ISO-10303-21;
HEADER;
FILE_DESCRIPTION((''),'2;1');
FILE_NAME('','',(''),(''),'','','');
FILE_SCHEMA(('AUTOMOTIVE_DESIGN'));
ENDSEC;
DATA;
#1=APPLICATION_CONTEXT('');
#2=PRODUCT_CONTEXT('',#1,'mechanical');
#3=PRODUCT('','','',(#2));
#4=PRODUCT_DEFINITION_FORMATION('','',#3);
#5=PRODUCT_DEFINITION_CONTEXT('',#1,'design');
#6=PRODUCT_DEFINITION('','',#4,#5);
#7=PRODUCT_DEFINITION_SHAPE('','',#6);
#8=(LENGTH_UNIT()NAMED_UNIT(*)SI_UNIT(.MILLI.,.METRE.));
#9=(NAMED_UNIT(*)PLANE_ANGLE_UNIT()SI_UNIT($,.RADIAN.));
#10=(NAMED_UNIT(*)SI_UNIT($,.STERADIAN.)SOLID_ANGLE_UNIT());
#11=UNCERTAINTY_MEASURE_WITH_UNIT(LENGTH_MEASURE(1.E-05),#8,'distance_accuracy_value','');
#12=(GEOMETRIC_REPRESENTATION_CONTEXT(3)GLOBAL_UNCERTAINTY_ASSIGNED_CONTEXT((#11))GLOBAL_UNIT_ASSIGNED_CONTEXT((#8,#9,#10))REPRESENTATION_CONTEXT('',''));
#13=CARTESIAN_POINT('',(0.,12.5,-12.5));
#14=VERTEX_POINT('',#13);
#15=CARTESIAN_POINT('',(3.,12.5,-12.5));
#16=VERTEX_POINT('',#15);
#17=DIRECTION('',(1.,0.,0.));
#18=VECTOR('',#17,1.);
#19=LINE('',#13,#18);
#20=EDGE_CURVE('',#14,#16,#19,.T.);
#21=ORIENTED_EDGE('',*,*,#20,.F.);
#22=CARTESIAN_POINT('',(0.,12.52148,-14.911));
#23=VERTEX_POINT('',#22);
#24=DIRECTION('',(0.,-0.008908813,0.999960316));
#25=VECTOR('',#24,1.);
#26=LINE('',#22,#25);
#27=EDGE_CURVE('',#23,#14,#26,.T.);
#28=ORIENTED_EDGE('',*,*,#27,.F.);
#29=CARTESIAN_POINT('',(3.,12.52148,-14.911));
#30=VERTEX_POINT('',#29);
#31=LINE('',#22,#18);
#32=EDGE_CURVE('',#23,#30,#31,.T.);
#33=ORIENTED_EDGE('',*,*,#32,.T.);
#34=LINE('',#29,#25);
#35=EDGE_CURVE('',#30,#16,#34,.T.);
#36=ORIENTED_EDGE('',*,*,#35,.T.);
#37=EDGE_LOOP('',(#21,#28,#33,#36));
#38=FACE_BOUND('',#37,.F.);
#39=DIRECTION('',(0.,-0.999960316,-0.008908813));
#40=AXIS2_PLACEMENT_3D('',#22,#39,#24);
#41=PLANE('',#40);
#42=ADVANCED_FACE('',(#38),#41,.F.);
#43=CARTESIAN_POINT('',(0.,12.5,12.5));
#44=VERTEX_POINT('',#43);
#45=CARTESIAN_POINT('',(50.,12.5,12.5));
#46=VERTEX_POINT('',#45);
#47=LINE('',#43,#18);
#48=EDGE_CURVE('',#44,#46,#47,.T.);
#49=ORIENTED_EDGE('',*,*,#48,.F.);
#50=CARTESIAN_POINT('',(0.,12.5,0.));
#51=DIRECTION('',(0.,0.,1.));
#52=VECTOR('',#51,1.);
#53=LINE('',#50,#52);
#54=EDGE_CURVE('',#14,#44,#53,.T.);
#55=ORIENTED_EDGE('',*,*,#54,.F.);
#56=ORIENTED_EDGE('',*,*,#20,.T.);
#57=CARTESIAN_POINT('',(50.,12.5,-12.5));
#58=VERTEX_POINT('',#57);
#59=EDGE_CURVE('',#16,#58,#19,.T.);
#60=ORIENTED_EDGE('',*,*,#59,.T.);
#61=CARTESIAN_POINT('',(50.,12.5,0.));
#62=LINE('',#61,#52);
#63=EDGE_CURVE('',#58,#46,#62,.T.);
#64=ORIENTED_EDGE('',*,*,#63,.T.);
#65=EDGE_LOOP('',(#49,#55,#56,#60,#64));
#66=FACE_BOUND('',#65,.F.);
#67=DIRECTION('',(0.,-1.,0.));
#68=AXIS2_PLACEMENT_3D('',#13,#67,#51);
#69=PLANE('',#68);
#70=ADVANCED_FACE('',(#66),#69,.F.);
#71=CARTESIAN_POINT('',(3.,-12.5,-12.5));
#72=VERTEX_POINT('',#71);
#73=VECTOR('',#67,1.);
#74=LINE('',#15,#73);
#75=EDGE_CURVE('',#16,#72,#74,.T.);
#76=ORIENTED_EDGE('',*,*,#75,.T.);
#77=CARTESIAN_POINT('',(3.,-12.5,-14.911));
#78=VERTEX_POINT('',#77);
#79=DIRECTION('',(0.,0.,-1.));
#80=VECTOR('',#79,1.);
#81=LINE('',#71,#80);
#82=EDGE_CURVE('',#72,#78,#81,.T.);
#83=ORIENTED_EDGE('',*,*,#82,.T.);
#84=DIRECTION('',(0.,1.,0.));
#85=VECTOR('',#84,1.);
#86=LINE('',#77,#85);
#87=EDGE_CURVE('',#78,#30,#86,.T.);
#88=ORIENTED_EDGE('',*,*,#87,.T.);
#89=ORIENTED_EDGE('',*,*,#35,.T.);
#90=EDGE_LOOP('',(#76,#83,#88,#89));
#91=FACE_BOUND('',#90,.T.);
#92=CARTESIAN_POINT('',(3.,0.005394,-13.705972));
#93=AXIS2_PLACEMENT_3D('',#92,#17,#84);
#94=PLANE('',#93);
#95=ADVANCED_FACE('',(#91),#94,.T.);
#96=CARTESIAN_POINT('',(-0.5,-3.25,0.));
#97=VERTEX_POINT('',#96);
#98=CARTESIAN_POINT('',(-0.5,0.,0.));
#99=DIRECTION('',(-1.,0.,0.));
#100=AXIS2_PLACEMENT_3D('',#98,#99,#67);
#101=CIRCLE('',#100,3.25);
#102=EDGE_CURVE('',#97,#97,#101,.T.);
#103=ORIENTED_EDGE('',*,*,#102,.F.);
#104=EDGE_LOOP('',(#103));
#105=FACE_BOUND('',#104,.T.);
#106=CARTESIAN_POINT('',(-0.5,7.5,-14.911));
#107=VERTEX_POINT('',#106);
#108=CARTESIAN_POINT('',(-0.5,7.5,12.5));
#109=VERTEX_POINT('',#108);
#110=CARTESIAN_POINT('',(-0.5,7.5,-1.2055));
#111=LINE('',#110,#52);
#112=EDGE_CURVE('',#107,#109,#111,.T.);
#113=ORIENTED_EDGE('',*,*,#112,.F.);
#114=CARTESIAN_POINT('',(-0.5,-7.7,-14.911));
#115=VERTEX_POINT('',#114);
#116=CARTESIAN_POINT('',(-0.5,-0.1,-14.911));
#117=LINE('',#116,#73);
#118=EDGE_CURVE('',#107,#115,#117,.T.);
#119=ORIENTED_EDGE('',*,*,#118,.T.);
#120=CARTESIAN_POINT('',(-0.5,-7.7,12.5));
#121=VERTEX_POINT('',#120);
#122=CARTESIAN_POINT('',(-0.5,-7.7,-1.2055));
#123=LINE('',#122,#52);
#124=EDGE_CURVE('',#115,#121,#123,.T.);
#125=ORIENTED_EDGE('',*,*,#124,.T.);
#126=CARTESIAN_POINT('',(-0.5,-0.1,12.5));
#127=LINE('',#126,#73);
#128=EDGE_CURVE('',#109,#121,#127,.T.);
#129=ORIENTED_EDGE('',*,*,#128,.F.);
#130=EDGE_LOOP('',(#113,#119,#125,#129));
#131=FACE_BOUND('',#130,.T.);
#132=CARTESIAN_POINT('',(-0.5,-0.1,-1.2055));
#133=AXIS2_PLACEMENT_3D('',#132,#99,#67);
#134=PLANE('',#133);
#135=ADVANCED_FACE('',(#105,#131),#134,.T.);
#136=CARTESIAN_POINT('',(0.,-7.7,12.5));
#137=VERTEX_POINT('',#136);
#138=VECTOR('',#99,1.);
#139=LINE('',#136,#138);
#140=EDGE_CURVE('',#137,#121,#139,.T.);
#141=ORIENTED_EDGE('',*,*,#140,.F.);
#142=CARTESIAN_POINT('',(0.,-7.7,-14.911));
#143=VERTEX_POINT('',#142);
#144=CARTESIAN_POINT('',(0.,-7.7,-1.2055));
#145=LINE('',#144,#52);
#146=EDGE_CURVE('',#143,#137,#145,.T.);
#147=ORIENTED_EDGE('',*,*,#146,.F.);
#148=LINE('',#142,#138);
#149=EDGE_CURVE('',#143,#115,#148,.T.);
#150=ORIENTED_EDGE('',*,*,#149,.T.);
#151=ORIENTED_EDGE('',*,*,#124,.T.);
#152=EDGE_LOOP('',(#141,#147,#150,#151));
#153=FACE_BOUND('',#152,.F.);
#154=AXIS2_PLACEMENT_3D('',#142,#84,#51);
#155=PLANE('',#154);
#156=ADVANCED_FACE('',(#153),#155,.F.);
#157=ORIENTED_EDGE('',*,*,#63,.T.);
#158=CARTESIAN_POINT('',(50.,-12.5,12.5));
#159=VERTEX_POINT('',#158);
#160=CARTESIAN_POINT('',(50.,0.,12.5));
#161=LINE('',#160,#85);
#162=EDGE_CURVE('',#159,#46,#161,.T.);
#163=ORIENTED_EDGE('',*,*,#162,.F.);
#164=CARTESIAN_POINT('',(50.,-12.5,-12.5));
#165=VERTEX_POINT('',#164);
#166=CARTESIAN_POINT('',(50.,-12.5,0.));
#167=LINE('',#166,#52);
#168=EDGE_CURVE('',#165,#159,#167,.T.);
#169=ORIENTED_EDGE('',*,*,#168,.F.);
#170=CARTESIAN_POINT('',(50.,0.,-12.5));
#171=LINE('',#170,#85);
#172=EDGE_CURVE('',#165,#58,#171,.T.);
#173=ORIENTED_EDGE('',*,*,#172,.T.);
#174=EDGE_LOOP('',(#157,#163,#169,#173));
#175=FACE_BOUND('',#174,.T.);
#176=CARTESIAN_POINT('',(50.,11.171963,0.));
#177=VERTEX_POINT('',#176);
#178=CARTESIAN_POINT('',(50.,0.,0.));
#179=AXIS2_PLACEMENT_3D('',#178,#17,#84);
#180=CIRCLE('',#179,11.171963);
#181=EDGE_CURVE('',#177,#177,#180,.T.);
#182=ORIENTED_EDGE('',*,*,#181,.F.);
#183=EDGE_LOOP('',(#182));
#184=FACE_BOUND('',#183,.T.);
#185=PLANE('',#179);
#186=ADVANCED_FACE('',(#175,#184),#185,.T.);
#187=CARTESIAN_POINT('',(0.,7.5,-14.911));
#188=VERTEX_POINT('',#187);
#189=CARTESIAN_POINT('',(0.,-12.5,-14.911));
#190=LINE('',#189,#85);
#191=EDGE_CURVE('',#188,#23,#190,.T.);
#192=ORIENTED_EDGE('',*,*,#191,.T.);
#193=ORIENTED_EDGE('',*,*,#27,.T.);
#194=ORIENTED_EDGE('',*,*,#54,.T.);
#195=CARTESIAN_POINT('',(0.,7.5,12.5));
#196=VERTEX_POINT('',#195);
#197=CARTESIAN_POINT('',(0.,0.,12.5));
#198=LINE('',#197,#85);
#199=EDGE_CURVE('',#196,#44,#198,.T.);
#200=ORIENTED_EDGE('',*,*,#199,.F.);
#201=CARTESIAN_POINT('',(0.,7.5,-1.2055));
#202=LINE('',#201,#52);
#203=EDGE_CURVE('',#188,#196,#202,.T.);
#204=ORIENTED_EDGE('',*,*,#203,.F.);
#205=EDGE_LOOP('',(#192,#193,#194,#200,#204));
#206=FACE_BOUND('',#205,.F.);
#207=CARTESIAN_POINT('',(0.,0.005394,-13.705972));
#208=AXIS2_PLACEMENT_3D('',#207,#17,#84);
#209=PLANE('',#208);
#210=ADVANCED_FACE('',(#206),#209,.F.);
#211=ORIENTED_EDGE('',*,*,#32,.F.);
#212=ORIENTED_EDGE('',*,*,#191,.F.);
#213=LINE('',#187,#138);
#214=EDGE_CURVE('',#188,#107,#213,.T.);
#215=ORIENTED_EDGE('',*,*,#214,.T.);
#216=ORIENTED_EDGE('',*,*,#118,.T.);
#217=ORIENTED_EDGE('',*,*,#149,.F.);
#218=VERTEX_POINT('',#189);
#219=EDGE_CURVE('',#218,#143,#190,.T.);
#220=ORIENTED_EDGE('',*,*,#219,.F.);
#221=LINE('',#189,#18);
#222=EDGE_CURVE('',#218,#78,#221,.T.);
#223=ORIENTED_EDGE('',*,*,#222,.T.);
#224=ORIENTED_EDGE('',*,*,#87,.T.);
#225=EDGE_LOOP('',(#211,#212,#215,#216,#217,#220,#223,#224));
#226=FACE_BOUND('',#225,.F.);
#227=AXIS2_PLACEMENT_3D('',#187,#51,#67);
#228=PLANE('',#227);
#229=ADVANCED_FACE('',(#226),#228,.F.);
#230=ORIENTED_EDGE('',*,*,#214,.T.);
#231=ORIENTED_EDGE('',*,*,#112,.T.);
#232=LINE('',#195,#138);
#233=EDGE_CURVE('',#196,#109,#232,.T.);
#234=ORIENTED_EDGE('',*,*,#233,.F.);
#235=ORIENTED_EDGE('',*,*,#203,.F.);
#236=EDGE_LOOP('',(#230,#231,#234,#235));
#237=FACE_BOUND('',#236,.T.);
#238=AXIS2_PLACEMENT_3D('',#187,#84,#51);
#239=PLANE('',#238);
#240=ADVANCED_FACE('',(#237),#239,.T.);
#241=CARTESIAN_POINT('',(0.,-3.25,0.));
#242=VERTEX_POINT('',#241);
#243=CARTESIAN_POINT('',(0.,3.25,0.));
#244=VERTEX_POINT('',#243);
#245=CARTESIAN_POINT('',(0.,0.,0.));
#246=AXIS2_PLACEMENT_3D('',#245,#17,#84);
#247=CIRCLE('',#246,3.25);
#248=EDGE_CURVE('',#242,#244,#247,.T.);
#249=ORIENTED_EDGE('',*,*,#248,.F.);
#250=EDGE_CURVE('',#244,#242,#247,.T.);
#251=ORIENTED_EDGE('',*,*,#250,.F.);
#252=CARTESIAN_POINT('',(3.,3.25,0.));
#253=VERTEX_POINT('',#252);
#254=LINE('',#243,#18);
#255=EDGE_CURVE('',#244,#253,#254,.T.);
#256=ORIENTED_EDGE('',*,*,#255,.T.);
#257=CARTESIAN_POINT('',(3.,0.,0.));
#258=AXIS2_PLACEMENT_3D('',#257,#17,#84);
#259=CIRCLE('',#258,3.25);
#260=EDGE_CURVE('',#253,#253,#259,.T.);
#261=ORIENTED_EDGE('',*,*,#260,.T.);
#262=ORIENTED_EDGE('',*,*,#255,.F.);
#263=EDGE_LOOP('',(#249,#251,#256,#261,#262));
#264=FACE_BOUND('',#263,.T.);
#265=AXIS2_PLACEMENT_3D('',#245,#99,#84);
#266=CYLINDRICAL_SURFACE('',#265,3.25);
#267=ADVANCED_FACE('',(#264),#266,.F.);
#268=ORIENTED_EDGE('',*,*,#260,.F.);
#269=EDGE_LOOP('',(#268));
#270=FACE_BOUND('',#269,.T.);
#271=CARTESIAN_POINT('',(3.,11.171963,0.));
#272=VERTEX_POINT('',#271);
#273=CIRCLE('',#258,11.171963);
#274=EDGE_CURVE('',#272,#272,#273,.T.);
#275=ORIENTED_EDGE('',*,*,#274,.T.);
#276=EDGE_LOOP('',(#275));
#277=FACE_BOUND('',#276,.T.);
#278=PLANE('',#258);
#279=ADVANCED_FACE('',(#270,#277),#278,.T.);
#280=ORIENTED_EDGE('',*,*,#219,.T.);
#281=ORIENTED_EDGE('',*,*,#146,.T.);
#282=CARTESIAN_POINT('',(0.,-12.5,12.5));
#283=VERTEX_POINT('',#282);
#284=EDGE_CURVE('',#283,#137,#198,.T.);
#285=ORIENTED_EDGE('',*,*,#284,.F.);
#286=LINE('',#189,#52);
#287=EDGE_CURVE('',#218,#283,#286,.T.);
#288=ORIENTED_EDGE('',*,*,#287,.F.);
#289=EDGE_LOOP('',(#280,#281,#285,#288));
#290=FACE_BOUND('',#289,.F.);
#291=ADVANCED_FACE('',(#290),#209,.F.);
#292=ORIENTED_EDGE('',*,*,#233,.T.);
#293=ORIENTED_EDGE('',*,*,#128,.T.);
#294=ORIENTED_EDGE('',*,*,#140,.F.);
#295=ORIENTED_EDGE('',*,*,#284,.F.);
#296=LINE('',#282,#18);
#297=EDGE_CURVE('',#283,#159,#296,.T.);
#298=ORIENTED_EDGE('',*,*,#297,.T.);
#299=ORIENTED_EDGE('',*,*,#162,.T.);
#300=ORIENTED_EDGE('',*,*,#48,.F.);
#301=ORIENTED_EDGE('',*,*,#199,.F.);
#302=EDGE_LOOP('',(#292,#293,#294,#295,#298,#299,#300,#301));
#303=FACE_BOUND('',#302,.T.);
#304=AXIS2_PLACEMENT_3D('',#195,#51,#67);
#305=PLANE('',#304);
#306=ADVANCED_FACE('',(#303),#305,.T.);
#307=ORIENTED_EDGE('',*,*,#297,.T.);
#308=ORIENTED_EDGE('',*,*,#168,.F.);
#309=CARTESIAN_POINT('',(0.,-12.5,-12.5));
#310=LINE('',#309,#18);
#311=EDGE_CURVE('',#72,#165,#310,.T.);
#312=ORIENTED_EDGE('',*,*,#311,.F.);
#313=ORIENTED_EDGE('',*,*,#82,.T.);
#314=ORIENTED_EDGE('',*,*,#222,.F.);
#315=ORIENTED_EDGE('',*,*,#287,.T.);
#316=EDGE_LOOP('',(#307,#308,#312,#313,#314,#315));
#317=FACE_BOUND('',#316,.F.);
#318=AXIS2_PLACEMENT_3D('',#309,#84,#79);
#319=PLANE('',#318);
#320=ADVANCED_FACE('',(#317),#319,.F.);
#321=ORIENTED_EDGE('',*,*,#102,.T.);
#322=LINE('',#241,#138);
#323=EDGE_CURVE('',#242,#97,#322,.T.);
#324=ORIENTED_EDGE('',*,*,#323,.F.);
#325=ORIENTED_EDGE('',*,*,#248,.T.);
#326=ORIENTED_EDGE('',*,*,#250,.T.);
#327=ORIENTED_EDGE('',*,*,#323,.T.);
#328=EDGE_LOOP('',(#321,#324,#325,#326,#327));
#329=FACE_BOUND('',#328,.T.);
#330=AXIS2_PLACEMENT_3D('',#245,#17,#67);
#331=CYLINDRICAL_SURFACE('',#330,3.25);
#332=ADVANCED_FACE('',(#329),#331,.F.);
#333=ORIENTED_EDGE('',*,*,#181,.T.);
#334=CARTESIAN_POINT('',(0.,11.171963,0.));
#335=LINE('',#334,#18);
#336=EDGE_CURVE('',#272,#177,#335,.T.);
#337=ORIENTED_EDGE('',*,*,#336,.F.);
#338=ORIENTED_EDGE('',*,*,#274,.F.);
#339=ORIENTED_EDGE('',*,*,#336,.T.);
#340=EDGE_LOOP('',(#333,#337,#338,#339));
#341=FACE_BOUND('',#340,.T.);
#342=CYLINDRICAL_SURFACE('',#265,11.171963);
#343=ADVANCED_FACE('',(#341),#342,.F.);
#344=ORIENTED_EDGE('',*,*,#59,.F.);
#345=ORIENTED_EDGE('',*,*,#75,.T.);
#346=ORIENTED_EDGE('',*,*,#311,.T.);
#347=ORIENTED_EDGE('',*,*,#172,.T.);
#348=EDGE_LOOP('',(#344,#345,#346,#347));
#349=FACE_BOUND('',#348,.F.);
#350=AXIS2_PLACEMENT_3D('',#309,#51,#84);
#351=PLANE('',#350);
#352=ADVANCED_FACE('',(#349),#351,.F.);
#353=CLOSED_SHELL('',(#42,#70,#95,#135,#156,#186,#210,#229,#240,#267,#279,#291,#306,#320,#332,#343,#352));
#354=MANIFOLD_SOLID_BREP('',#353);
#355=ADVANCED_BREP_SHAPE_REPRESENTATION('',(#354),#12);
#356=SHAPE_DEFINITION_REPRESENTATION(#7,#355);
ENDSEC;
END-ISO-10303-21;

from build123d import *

# Parameters (mm, degrees)
F0_R     = 11.171963
F0_R_2   = 3.25
F1_DEPTH = 3
F0_W     = 25
F0_H     = 25
F2_DEPTH = 50
F3_DEPTH = 3
F4_W     = 15.2
F4_H     = 27.411
F4_R     = 3.25
F5_DEPTH = 0.5


with BuildPart() as f1:
    # F0 (on Right) → F1 (new body)
    with BuildSketch(Plane.YZ):
        Circle(F0_R)
        Circle(F0_R_2, mode=Mode.SUBTRACT)
    extrude(amount=F1_DEPTH)

    # F0 (on Right) → F2 (join)
    with BuildSketch(Plane.YZ):
        Rectangle(F0_W, F0_H)
        Circle(F0_R, mode=Mode.SUBTRACT)
    extrude(amount=F2_DEPTH)

    # F0 (on Right) → F3 (join)
    with BuildSketch(Plane.YZ):
        Polygon((12.52148, -14.911), (12.5, -12.5), (-12.5, -12.5), (-12.5, -14.911), align=None)
    extrude(amount=F3_DEPTH)

    # F4 (on face) → F5 (join)
    with BuildSketch(Plane(origin=(0, 0, 0), x_dir=(0, -1, 0), z_dir=(-1, 0, 0))):
        with Locations((0.1, -1.2055)):
            Rectangle(F4_W, F4_H)
        Circle(F4_R, mode=Mode.SUBTRACT)
    extrude(amount=F5_DEPTH)


solid = f1.part
